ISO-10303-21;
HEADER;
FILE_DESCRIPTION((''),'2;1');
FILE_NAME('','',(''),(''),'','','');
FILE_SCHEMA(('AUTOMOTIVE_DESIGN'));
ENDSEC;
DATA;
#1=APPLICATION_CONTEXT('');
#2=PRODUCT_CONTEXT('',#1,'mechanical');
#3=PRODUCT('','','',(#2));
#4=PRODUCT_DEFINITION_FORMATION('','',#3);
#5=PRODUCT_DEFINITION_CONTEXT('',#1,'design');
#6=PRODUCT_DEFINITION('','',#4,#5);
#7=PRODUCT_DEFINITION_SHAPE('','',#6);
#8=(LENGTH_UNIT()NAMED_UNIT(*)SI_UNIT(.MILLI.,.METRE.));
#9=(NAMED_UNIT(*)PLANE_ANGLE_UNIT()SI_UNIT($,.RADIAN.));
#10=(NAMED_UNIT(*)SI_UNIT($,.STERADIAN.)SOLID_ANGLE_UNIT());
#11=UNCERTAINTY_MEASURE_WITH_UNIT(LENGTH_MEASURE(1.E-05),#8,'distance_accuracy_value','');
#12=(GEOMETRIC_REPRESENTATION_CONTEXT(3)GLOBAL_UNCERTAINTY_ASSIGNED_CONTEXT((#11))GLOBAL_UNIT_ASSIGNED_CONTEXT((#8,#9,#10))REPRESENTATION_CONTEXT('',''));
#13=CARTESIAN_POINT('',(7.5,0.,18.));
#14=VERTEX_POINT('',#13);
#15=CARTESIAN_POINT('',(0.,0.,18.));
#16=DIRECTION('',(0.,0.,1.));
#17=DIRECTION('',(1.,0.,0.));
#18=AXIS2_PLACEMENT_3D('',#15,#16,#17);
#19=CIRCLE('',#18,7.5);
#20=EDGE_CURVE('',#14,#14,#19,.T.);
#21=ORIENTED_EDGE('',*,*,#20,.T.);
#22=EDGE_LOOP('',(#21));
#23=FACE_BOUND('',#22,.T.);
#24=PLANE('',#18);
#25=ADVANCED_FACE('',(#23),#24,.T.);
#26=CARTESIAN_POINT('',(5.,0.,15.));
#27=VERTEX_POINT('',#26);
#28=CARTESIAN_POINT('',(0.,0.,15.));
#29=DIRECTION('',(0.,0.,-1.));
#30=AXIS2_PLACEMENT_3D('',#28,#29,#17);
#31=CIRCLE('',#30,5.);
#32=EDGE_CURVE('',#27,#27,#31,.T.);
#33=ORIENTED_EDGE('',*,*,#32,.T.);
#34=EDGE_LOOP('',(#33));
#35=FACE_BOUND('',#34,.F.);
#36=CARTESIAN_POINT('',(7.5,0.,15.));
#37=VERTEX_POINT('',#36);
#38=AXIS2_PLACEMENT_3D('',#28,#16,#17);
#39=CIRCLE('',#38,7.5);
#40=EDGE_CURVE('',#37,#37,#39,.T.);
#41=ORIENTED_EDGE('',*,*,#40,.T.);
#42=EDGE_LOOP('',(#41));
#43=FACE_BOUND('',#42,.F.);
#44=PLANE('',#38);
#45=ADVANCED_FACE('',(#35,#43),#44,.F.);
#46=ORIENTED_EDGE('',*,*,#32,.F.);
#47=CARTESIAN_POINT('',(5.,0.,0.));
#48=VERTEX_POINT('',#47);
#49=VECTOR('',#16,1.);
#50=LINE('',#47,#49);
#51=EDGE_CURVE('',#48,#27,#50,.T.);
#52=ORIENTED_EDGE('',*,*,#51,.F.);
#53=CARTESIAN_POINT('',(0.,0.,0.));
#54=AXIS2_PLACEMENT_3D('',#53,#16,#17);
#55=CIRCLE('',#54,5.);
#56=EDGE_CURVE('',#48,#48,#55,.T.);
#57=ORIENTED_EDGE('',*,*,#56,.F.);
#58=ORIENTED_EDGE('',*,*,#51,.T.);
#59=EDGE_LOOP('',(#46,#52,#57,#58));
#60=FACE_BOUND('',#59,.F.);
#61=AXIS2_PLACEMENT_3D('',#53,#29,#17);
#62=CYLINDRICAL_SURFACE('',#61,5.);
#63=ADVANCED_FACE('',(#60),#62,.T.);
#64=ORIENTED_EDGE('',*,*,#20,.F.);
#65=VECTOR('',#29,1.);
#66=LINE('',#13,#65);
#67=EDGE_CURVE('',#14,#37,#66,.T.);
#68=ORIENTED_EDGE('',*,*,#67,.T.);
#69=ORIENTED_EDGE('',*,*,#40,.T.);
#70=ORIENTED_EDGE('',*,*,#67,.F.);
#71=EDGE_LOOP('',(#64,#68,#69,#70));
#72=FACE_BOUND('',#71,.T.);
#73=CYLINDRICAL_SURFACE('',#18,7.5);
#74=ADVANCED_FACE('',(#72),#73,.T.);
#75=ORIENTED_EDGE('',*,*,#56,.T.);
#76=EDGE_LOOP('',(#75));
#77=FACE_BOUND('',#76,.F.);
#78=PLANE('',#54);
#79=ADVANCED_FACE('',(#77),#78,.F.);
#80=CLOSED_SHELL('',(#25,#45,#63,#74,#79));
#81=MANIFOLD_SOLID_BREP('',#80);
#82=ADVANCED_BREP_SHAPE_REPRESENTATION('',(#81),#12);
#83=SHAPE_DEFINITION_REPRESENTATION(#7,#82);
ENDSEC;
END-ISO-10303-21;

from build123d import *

# Parameters (mm, degrees)
F0_R     = 5
F1_DEPTH = 18
F2_R     = 7.5
F3_DEPTH = 3


with BuildPart() as f1:
    # F0 (on Top) → F1 (new body)
    with BuildSketch(Plane.XY):
        Circle(F0_R)
    extrude(amount=F1_DEPTH)

    # F2 (on face) → F3 (join)
    with BuildSketch(Plane.XY.offset(18)):
        Circle(F2_R)
    extrude(amount=-F3_DEPTH)


solid = f1.part
